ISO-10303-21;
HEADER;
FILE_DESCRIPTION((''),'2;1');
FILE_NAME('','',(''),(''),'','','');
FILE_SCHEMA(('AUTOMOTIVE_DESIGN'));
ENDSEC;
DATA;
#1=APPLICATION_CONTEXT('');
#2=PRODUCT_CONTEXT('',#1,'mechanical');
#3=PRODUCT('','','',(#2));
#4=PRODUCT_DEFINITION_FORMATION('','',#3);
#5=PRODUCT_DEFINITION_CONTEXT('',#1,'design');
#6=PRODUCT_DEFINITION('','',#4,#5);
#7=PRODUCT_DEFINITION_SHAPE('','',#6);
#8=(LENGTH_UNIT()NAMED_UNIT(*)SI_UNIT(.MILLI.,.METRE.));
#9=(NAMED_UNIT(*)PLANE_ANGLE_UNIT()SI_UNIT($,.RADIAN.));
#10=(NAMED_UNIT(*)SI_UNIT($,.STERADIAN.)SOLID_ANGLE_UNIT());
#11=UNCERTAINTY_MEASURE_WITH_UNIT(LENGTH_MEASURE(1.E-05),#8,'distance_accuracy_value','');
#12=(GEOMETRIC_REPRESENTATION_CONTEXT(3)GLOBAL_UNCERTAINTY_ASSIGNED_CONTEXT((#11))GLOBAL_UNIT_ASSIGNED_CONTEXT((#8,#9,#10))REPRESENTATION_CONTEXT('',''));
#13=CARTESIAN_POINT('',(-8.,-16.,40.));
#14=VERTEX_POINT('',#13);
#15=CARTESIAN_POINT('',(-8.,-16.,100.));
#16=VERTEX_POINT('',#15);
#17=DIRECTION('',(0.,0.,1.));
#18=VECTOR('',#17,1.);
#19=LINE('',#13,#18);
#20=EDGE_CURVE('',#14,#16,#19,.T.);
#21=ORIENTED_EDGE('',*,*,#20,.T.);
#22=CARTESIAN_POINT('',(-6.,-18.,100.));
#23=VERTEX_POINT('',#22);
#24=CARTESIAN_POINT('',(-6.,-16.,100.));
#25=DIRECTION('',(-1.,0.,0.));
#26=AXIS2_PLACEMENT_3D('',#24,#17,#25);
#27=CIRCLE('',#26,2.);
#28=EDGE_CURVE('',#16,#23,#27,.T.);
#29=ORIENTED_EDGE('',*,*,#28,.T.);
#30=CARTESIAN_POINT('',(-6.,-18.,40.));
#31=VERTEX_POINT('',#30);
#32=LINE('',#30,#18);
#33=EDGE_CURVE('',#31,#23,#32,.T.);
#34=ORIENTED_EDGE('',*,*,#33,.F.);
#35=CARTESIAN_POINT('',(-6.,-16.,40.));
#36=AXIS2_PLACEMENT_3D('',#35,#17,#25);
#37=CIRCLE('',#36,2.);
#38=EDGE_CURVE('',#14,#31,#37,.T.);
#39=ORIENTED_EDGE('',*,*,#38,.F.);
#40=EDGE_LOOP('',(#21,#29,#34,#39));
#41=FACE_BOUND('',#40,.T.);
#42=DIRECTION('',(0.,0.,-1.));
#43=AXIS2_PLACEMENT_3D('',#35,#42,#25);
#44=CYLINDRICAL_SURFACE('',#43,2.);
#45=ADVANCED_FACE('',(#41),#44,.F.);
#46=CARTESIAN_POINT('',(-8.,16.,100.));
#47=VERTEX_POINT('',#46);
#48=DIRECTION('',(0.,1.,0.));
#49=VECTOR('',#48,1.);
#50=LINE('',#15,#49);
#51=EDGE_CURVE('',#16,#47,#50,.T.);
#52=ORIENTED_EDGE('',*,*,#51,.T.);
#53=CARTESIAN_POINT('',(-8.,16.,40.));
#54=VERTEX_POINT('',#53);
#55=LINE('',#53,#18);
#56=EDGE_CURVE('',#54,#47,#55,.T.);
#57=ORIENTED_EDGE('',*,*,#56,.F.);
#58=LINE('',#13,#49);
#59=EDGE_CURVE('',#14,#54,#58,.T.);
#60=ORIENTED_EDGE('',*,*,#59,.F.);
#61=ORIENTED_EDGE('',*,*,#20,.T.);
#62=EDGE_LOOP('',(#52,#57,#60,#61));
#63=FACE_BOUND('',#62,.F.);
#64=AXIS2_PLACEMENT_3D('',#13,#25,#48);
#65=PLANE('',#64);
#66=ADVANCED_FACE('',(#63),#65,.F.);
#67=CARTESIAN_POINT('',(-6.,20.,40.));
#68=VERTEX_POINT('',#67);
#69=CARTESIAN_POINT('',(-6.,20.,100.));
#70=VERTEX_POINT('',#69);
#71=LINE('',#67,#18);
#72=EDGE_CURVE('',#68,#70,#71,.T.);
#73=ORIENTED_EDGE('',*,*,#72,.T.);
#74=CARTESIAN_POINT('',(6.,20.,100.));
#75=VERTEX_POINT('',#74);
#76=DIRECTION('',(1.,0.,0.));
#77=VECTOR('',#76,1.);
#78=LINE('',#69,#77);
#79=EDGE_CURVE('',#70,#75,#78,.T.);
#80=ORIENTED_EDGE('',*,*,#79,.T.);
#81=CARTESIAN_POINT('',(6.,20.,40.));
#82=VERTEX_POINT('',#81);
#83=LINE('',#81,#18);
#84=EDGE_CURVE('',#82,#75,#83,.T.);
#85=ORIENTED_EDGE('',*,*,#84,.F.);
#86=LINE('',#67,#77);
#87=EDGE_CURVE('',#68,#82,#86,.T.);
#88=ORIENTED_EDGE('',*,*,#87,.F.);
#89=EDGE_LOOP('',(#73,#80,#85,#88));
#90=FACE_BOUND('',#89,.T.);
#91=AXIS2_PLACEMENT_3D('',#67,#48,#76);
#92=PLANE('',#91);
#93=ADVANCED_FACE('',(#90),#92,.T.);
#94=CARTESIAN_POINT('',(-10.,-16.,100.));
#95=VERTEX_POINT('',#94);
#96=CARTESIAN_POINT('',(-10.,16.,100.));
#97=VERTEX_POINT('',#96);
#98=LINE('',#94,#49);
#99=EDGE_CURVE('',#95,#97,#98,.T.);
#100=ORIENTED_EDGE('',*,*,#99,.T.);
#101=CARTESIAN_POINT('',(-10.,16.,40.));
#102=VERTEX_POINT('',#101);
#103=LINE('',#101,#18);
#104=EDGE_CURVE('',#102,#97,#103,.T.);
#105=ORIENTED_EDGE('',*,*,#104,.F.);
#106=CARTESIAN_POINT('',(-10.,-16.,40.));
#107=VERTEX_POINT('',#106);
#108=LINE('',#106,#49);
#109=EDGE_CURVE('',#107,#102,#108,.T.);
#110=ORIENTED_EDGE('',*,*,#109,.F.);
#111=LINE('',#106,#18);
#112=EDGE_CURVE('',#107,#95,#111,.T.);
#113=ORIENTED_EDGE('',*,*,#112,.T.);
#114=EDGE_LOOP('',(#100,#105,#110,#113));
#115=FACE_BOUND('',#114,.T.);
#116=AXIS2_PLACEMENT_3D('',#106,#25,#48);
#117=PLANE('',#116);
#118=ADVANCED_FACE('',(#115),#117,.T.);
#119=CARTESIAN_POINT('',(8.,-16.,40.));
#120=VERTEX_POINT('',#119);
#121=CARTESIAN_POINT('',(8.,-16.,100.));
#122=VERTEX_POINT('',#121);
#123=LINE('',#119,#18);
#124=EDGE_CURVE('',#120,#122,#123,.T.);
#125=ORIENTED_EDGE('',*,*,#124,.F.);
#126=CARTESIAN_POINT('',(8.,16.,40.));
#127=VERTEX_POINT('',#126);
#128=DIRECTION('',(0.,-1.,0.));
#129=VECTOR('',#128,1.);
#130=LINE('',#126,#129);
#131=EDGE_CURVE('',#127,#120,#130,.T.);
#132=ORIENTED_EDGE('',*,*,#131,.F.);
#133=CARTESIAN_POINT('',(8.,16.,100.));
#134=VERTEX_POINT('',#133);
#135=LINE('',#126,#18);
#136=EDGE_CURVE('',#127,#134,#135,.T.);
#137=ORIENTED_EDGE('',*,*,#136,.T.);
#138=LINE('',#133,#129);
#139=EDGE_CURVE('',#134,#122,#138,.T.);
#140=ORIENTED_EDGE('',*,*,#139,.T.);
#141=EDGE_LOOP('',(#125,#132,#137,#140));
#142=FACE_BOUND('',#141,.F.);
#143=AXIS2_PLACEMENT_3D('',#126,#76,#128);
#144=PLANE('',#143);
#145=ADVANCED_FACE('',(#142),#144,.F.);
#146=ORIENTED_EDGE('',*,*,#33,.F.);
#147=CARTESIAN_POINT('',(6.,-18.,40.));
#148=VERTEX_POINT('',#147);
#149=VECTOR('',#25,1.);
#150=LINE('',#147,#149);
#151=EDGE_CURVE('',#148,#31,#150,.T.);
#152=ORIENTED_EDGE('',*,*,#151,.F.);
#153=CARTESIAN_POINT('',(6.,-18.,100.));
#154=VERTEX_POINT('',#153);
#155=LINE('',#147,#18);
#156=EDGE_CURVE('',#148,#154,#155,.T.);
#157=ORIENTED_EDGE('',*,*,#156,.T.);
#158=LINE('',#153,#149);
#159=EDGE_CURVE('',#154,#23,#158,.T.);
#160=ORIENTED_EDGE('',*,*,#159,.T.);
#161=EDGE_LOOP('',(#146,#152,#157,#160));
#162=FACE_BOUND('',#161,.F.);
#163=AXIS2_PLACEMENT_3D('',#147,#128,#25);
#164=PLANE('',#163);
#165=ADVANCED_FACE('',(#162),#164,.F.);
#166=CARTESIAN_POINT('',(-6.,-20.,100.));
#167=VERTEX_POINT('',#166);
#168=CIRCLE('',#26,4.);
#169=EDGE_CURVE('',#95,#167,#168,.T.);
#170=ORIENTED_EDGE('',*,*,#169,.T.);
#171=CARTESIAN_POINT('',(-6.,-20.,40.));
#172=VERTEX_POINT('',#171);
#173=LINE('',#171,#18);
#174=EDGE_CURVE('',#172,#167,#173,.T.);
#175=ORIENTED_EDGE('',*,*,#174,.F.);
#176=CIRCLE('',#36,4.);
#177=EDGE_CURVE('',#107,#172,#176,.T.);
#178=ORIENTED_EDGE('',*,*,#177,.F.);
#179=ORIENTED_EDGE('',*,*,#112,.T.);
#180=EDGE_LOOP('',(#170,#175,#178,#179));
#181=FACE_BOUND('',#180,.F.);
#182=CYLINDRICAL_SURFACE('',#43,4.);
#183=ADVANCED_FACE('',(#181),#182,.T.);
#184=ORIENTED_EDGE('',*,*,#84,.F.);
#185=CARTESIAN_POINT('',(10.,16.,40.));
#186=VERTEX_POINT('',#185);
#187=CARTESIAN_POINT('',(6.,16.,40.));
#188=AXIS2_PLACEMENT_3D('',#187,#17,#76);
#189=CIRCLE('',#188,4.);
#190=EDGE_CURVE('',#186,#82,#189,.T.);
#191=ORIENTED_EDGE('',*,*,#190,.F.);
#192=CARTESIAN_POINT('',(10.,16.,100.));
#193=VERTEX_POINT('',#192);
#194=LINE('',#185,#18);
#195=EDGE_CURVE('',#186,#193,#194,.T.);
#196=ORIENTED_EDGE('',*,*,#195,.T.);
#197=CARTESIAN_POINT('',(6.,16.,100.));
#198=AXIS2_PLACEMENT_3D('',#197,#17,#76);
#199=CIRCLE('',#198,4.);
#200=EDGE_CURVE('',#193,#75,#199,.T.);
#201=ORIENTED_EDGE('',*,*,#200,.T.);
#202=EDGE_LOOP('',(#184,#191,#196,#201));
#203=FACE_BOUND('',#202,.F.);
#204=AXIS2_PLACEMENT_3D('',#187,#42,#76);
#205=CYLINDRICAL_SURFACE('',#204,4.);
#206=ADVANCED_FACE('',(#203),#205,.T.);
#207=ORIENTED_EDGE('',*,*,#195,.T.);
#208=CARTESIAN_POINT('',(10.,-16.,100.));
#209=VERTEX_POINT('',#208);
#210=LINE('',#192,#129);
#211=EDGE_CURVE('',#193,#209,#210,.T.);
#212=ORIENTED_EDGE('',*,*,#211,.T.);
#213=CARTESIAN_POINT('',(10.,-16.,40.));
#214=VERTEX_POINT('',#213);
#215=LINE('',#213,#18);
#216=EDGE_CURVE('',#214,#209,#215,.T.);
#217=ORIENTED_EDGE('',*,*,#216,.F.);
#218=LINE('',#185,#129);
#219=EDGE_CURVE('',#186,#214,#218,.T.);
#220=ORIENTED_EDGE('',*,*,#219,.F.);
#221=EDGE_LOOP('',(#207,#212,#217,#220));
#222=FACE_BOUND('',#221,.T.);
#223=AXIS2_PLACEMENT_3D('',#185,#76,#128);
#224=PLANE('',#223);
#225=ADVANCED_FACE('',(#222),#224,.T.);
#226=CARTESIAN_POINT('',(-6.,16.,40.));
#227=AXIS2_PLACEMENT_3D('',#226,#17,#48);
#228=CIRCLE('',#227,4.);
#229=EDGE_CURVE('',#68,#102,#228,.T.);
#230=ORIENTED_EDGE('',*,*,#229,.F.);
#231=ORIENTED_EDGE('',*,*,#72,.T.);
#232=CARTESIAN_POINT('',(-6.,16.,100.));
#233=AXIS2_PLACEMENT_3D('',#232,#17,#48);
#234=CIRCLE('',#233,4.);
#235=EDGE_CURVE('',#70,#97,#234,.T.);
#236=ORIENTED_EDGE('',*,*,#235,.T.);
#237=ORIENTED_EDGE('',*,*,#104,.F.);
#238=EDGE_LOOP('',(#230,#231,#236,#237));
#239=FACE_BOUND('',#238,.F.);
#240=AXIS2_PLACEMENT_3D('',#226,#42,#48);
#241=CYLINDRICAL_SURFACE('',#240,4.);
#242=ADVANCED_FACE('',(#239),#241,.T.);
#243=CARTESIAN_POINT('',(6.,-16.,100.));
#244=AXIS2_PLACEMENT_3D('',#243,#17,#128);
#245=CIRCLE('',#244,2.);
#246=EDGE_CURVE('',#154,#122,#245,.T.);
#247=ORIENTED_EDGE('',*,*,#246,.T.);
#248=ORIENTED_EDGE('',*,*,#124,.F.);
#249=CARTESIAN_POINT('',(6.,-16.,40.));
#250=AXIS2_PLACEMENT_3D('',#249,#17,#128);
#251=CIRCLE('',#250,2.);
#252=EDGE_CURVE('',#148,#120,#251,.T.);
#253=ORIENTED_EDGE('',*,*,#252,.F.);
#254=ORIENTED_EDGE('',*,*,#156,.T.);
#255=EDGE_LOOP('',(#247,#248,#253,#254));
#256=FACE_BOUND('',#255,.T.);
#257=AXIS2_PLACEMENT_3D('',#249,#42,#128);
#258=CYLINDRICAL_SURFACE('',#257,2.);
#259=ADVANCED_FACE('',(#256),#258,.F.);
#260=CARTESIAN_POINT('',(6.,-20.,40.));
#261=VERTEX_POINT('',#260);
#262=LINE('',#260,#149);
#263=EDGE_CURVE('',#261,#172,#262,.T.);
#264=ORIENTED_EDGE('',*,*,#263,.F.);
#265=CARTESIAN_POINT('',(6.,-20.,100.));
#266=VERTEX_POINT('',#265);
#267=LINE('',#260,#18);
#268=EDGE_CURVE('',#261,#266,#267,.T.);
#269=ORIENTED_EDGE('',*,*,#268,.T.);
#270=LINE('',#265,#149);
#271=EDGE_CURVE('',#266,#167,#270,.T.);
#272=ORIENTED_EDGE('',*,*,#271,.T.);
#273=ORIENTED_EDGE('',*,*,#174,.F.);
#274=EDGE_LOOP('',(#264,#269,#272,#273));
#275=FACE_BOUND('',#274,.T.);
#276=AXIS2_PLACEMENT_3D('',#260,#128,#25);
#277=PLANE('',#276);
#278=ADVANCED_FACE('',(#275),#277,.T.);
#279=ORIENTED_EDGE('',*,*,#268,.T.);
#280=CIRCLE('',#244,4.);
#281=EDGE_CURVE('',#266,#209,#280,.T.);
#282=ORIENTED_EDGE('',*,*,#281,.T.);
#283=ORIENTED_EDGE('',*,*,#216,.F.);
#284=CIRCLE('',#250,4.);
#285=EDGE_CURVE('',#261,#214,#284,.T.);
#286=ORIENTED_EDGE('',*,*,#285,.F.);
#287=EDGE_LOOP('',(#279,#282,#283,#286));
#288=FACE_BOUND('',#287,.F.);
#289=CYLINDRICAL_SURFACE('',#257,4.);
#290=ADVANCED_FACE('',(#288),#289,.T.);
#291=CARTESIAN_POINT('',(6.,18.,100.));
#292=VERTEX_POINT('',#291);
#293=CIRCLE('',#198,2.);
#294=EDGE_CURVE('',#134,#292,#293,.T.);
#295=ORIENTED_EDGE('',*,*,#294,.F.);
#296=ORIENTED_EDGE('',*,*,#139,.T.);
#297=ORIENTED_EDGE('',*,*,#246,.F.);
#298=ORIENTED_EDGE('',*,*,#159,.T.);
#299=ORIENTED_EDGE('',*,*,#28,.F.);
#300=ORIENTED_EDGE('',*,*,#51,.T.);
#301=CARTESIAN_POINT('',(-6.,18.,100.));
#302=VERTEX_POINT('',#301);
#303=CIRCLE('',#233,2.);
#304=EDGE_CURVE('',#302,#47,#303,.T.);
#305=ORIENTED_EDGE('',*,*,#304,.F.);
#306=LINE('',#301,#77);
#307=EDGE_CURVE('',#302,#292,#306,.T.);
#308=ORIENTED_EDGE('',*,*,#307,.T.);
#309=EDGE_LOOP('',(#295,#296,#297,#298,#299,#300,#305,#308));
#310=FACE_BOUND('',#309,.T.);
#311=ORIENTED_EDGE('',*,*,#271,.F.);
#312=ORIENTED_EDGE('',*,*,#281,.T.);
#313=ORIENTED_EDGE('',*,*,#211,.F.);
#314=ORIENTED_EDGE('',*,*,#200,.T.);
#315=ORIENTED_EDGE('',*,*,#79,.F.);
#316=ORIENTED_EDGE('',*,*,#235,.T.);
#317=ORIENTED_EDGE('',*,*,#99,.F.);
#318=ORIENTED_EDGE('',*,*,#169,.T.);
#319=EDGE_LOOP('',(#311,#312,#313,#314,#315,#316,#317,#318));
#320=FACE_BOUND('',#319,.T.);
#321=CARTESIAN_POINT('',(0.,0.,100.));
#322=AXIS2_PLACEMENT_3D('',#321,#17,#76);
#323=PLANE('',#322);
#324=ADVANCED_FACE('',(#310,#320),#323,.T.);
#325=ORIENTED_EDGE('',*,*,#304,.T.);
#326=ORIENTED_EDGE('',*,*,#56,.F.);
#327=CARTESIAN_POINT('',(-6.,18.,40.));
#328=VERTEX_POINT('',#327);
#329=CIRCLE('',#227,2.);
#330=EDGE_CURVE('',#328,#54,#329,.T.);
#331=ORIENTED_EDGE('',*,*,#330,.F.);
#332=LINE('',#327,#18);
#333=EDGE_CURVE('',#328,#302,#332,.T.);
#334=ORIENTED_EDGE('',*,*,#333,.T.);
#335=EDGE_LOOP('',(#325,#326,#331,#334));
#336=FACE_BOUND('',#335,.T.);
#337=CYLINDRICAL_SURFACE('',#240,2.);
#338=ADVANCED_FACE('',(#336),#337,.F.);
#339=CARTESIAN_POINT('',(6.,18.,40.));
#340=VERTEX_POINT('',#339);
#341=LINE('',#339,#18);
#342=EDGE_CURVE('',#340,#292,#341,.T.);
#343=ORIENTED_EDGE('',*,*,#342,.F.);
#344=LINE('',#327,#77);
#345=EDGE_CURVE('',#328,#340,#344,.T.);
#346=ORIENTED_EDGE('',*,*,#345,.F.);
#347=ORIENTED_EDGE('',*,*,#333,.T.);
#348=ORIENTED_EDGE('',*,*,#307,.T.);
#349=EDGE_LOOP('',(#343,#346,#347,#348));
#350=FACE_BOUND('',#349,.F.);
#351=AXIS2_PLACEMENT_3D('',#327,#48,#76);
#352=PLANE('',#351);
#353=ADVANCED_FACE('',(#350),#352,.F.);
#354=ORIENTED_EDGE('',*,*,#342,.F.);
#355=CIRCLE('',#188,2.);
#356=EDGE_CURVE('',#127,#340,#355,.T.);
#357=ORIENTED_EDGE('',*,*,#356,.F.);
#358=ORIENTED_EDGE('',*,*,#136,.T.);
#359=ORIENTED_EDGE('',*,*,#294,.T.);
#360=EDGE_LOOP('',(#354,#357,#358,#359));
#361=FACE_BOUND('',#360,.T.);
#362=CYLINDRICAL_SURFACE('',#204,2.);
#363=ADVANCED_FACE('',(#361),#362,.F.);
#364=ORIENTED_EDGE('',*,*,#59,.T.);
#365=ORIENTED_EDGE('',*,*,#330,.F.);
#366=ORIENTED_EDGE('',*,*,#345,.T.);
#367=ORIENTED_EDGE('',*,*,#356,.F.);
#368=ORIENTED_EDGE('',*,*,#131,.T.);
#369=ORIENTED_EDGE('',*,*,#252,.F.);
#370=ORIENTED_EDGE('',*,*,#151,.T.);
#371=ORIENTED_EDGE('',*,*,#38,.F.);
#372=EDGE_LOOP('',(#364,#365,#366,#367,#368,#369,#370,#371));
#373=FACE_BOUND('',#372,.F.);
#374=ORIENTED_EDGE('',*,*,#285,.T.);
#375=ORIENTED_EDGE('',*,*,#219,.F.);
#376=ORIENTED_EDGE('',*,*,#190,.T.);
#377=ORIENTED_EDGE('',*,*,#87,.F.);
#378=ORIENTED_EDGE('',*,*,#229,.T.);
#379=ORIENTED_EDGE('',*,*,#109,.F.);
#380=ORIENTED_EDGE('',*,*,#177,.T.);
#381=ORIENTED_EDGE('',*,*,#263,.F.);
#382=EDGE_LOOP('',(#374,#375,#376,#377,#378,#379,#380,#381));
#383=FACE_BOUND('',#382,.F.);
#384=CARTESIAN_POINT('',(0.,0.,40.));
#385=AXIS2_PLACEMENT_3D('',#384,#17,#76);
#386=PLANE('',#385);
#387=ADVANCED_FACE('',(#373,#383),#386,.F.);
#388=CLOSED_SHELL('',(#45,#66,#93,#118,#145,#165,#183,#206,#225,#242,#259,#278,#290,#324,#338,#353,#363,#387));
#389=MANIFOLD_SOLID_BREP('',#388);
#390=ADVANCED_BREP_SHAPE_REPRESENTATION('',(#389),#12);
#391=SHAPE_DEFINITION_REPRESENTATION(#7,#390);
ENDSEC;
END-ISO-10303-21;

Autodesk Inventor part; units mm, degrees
ref_plane "YZ Plane" through (0, 0, 0) normal (1, 0, 0) x (0, 1, 0)
ref_plane "Start Plane" through (0, 0, 40) normal (0, 0, 1) x (1, 0, 0)
ref_plane "End Plane" through (0, 0, 100) normal (0, 0, 1) x (1, 0, 0)
sketch "Sketch" plane through (0, 0, 0) normal (0, 0, 1) x (1, 0, 0)
  line L0 (-10, -16) -> (-10, 16)
  line L1 (-6, 20) -> (6, 20)
  line L2 (10, 16) -> (10, -16)
  line L3 (6, -20) -> (-6, -20)
  arc A0 (-10, -16) -> (-6, -20) centre (-6, -16) ccw
  arc A1 (10, 16) -> (6, 20) centre (6, 16) ccw
  arc A2 (-6, 20) -> (-10, 16) centre (-6, 16) ccw
  arc A3 (6, -20) -> (10, -16) centre (6, -16) ccw
  arc A4 (-6, 18) -> (-8, 16) centre (-6, 16) ccw
  line L4 (-6, 18) -> (6, 18)
  arc A5 (8, 16) -> (6, 18) centre (6, 16) ccw
  line L5 (8, 16) -> (8, -16)
  arc A6 (6, -18) -> (8, -16) centre (6, -16) ccw
  line L6 (6, -18) -> (-6, -18)
  arc A7 (-8, -16) -> (-6, -18) centre (-6, -16) ccw
  line L7 (-8, -16) -> (-8, 16)
  line L8 (0, 29.1598) -> (0, -29.1598) construction
  line L9 (-15.1598, 0) -> (15.1598, 0) construction
  dimension "d7" = 4
  dimension "d9" = 20
  dimension "d11" = 40
  dimension "d12" = 2
  dimension "d15" = 10
  dimension "d16" = 20
extrude "Body" add sketch "Sketch" along normal up to surface (60 mm away) from surface at 40
sketch "Sketch3" plane through (0, 0, 0) normal (0, 0, 1) x (1, 0, 0)
  line L0 (0, 0) -> (10, 0)
ref_plane "Work Plane3" through (0, 0, 0) normal (0, -1, 0) x (1, 0, 0)
sketch "Sketch4" plane through (0, 0, 0) normal (0, -1, 0) x (1, 0, 0)
  line L0 (-2, 40) -> (12, 40)
  line L1 (-2, 100) -> (12, 100)
  dimension "d18" = 60
equation "\"d7\" = G_IR"
equation "\"d9\" = G_W"
equation "\"d11\" = G_H"
equation "\"d12\" = G_T"
equation "\"d15\" = 0.5 * d9"
equation "\"d16\" = 0.5 * d11"
equation "\"d3\" = G_L"
equation "\"G_W\" = 20"
equation "\"G_H\" = 40"
equation "\"G_T\" = 2"
equation "\"G_IR\" = 4"
equation "\"G_L\" = d18"
equation "\"G_OFFSET_END\" = 0"
properties part number "ISO 10799-2 - 40x20x2 - 60" material "Steel, Mild"
